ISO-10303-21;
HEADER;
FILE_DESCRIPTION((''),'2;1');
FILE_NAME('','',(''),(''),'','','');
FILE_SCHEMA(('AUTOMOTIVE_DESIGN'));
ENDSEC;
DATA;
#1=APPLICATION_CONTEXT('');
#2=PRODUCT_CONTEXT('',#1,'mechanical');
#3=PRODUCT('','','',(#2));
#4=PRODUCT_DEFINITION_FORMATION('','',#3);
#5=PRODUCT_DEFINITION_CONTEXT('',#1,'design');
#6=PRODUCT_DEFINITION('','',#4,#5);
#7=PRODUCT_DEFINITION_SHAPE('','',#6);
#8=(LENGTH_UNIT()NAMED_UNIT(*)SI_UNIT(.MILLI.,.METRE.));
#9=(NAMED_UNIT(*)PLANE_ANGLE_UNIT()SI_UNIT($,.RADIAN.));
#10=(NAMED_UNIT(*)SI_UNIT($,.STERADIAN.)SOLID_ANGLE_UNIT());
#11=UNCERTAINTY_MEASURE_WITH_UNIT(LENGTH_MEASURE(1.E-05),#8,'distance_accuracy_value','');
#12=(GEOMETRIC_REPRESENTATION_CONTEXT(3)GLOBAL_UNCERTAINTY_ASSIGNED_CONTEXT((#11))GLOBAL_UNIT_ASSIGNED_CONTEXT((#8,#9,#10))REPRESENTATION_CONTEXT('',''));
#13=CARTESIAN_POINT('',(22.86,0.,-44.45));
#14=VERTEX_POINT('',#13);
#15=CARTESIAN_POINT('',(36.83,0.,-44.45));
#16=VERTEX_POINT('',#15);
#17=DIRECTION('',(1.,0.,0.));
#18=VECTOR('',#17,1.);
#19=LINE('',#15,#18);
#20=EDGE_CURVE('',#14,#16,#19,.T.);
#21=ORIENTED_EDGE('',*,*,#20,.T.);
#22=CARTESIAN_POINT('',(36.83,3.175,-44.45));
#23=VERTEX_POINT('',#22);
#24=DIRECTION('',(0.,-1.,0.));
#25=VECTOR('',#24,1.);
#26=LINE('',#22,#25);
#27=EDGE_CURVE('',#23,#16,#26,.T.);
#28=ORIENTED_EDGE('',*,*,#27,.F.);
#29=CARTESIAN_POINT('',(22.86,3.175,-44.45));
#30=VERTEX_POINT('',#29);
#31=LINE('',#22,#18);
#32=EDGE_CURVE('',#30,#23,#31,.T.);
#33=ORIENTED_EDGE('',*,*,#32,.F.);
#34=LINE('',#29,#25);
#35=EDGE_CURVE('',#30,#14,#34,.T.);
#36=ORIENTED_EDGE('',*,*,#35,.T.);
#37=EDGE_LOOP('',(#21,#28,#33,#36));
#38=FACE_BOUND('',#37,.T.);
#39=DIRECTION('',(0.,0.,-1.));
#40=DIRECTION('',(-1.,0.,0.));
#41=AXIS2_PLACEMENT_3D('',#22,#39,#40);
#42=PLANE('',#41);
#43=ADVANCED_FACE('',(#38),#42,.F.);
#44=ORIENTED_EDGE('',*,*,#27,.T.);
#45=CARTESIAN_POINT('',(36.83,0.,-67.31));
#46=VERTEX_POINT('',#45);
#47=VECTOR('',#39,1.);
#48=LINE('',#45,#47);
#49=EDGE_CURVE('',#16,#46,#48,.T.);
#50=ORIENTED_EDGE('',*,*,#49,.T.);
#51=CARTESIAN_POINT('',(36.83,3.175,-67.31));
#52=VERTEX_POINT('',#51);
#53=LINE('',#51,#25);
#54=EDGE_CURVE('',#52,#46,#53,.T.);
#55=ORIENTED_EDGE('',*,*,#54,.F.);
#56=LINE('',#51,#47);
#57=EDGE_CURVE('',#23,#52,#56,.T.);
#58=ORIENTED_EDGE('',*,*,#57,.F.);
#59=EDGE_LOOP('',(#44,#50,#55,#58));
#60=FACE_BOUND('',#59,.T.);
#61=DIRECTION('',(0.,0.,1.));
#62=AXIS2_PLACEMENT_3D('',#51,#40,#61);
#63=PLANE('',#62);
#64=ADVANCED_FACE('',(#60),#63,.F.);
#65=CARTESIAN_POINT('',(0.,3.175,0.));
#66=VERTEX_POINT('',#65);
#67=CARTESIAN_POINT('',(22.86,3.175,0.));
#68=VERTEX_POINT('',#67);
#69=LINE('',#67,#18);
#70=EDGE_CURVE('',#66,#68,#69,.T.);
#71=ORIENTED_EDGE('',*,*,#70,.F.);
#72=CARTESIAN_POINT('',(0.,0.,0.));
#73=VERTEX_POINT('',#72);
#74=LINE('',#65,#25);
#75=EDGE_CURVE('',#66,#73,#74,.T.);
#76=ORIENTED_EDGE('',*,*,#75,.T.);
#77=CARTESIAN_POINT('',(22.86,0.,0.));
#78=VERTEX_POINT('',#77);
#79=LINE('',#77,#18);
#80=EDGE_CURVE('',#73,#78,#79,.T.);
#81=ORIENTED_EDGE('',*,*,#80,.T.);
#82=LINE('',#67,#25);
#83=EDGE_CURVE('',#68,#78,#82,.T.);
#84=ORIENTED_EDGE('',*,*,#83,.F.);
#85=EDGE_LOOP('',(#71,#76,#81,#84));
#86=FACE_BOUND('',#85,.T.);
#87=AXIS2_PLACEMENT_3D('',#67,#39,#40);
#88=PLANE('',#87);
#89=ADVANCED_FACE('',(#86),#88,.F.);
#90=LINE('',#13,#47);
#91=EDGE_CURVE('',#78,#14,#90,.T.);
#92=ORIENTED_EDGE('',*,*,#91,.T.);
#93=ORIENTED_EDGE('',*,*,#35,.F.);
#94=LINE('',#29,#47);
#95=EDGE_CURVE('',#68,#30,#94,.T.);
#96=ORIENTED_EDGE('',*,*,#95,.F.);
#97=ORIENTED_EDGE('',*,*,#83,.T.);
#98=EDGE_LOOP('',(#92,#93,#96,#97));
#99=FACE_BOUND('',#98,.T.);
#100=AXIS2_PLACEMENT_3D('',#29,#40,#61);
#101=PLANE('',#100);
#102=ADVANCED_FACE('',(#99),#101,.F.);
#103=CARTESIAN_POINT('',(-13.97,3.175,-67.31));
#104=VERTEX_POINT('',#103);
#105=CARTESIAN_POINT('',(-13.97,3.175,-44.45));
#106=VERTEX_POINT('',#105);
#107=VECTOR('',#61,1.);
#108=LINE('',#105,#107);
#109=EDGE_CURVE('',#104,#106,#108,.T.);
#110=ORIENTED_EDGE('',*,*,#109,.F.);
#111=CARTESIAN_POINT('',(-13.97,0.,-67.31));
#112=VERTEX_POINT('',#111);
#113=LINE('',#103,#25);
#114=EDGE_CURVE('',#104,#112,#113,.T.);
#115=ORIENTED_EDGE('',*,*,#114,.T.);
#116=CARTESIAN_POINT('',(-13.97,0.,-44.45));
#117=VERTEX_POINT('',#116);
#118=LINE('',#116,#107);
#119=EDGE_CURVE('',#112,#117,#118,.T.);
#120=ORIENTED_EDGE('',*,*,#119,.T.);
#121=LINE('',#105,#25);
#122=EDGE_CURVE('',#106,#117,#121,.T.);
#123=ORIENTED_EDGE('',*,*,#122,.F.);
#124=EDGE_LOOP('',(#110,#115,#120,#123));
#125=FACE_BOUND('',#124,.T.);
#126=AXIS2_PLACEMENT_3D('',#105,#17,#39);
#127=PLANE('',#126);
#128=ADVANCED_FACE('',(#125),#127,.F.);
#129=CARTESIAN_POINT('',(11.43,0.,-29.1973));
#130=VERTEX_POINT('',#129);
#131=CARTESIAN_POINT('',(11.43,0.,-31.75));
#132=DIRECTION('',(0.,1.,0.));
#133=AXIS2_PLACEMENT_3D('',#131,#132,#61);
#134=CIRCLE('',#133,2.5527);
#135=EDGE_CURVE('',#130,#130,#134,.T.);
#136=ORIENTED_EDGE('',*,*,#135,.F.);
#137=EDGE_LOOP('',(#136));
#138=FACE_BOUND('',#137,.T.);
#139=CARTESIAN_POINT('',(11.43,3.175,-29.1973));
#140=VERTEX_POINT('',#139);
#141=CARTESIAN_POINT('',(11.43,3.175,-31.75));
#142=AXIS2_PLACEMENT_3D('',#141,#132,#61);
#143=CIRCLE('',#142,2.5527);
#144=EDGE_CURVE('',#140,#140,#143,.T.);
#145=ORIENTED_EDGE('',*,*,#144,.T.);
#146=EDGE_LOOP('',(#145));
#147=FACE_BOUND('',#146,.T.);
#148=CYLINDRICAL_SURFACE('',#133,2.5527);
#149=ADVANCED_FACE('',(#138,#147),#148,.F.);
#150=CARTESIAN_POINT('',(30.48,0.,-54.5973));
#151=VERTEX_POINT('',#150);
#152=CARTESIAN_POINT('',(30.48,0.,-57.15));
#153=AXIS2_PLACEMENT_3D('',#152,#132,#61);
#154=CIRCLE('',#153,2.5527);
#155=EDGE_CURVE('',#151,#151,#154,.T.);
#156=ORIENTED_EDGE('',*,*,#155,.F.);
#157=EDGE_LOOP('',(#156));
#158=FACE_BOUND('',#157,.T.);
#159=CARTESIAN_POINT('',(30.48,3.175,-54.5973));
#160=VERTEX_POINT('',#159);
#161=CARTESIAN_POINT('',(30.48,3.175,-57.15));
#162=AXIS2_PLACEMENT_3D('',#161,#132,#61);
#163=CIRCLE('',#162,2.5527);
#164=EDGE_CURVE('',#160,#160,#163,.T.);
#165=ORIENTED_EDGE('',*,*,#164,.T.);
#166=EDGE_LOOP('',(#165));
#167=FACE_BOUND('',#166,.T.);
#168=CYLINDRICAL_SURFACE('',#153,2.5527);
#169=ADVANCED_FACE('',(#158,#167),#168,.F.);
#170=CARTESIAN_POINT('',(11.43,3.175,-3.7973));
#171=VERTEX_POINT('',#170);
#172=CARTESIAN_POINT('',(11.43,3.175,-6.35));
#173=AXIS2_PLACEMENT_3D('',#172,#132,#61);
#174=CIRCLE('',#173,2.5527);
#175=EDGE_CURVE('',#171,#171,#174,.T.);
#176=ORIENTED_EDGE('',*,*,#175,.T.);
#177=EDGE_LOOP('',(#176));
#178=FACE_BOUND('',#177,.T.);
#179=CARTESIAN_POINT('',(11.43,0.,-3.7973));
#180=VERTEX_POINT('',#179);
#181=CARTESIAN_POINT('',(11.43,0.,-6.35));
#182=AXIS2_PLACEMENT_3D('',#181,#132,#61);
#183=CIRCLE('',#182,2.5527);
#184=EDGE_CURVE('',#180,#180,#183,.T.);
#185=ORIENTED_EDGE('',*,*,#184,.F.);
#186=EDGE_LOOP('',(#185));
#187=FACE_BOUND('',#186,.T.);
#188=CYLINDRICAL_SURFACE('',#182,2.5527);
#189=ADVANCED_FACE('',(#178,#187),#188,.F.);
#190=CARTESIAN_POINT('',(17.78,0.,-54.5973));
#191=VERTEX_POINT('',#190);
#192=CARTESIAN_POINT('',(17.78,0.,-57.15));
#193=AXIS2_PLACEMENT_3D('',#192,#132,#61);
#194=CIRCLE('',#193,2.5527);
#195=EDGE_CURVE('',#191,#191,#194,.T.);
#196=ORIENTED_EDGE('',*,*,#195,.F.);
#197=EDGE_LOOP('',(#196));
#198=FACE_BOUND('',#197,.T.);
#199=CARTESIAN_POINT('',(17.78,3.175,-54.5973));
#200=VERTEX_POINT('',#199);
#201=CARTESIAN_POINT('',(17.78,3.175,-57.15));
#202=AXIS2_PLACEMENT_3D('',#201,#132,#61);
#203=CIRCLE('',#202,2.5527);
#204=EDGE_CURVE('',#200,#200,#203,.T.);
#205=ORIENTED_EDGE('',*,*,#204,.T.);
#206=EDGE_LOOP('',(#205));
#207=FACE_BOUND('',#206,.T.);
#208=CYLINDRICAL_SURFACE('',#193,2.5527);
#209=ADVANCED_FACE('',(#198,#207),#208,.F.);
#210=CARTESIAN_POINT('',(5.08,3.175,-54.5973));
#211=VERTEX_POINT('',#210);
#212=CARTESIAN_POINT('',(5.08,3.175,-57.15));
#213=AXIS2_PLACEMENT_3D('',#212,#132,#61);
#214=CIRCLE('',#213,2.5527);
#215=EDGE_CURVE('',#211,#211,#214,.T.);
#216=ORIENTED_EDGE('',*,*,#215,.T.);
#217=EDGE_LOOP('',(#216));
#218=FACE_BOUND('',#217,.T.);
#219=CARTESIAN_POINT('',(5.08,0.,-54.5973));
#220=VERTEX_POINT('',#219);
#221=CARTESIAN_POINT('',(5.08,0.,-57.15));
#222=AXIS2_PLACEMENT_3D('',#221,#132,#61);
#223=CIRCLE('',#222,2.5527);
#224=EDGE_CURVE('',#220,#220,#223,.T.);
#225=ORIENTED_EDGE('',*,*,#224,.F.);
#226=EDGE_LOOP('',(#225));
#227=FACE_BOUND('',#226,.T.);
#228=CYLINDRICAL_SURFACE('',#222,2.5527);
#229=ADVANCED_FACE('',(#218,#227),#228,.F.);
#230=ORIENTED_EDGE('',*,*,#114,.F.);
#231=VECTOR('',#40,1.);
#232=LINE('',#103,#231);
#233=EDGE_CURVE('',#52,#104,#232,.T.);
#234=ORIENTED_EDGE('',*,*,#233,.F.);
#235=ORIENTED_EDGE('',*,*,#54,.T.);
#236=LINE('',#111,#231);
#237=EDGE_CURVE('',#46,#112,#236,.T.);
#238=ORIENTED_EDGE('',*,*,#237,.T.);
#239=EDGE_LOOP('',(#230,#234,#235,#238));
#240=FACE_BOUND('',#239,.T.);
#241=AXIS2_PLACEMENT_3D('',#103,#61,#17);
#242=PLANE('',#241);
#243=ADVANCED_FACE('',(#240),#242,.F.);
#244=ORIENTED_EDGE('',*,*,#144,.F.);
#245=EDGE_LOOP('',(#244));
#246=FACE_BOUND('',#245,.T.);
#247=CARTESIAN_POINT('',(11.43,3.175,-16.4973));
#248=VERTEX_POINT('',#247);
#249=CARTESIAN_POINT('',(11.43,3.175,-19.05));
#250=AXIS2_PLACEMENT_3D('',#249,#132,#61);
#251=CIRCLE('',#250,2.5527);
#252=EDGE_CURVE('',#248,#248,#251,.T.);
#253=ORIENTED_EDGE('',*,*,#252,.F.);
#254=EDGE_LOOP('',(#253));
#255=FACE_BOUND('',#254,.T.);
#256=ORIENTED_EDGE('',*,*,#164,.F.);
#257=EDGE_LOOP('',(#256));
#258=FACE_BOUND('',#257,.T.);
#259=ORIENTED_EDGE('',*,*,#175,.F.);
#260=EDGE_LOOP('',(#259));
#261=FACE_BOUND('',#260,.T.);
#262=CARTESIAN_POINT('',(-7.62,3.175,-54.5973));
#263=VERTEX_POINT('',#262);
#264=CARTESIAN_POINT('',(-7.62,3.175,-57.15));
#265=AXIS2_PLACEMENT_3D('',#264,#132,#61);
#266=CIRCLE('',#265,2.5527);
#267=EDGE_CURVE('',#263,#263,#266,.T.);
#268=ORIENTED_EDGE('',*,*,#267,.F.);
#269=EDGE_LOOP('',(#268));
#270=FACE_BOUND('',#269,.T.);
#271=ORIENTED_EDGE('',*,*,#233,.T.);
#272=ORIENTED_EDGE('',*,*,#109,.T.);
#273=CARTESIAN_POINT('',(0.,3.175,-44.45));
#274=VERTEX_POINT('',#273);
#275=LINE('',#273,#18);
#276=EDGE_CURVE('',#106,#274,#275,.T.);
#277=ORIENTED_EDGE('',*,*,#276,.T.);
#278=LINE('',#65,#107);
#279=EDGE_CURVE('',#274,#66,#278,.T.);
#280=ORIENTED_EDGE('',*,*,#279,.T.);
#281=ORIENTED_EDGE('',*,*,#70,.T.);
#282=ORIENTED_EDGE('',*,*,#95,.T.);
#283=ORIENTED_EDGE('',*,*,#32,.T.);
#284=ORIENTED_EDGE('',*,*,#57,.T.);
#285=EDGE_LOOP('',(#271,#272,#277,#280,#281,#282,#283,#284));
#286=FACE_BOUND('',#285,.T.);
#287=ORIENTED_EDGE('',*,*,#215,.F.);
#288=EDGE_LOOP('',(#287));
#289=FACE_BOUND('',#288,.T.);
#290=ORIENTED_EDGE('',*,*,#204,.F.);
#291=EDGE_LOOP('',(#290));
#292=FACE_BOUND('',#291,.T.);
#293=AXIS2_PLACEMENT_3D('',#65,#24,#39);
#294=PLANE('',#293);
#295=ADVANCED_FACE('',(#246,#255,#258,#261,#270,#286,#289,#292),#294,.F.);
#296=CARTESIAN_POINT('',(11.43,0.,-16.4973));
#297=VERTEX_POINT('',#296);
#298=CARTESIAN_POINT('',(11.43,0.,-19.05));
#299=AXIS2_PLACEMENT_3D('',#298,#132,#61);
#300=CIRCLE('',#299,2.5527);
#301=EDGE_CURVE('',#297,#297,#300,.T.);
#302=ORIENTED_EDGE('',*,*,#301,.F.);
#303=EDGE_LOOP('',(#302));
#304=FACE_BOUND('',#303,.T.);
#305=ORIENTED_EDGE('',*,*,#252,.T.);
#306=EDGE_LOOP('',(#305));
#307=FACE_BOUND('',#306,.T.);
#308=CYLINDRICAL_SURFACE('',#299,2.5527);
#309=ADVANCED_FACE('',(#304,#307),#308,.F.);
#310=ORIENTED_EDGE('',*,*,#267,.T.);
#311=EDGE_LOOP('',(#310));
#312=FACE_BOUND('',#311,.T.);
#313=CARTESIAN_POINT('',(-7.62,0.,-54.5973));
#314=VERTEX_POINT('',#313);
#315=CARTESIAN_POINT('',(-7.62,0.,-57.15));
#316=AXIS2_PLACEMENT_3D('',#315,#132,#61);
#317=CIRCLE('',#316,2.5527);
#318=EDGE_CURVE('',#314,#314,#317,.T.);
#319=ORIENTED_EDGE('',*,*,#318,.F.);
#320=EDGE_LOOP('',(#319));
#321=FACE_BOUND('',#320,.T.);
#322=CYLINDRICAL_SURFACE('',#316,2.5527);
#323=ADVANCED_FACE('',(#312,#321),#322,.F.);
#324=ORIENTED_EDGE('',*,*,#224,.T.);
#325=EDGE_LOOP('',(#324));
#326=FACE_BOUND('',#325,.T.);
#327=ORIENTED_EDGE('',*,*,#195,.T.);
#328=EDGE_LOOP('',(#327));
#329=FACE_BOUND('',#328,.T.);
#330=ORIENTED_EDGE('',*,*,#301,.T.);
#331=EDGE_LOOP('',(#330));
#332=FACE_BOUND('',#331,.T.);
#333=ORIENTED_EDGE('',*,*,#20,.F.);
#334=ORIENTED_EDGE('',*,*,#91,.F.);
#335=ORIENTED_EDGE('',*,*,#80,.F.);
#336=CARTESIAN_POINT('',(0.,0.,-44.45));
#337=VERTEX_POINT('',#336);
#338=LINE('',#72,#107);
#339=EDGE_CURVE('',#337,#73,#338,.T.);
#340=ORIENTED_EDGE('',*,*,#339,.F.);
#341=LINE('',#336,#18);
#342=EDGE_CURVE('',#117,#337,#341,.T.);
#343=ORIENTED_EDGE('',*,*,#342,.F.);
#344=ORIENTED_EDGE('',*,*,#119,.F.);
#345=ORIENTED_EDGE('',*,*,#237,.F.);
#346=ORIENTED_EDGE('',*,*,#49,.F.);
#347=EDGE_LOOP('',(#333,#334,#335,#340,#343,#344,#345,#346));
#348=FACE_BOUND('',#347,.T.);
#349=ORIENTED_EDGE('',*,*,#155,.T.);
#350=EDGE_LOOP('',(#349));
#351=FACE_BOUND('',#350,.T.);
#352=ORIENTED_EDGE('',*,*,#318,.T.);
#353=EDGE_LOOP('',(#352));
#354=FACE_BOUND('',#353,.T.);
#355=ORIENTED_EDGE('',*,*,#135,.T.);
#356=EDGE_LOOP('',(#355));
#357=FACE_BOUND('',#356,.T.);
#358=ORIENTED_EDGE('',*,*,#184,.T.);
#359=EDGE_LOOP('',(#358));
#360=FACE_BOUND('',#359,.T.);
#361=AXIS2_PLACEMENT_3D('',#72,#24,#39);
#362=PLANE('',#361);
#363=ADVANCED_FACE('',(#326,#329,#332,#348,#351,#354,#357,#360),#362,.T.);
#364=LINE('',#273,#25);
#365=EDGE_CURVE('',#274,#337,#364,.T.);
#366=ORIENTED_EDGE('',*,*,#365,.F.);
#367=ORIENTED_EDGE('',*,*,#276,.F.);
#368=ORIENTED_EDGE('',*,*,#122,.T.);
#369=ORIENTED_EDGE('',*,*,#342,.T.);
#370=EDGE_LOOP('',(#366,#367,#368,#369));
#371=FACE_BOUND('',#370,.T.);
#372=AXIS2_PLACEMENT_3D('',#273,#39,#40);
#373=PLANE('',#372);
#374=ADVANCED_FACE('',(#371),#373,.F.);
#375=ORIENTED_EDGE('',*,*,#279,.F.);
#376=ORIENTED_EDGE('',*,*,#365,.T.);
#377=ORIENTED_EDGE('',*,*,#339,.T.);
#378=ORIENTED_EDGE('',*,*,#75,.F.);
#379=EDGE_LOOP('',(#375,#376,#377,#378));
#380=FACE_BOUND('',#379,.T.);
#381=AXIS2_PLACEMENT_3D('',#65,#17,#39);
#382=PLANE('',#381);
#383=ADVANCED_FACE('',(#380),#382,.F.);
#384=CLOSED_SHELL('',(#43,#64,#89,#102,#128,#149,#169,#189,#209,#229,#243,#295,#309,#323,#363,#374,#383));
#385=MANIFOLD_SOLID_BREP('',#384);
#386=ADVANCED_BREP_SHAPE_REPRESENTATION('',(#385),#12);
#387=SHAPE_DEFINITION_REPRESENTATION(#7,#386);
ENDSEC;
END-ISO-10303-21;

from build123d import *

# Parameters (mm, degrees)
BOSS_EXTRUDE1_DEPTH = 3.175
SKETCH2_R           = 2.5527
CUT_EXTRUDE1_DEPTH  = 77.793005053
SKETCH3_R           = 2.5527
CUT_EXTRUDE2_DEPTH  = 77.793005053


with BuildPart() as part:
    # Sketch1 → Boss-Extrude1 (new body)
    with BuildSketch(Plane(origin=(0, 0, 0), x_dir=(1, 0, 0), z_dir=(0, 1, 0))):
        Polygon((0, 0), (0, 44.45), (-13.97, 44.45), (-13.97, 67.31), (36.83, 67.31), (36.83, 44.45), (22.86, 44.45), (22.86, 0), align=None)
    extrude(amount=BOSS_EXTRUDE1_DEPTH)

    # Sketch2 → Cut-Extrude1 (cut, through all)
    with BuildSketch(Plane(origin=(0, 3.175, 0), x_dir=(1, 0, 0), z_dir=(0, 1, 0))):
        with Locations(Location((-7.62, 57.15, 0), (0, 0, 270))):
            Circle(SKETCH2_R)
        with Locations(Location((5.08, 57.15, 0), (0, 0, 270))):
            Circle(SKETCH2_R)
        with Locations(Location((17.78, 57.15, 0), (0, 0, 270))):
            Circle(SKETCH2_R)
        with Locations(Location((30.48, 57.15, 0), (0, 0, 270))):
            Circle(SKETCH2_R)
    extrude(amount=-CUT_EXTRUDE1_DEPTH, mode=Mode.SUBTRACT)

    # Sketch3 → Cut-Extrude2 (cut, through all)
    with BuildSketch(Plane(origin=(0, 3.175, 0), x_dir=(1, 0, 0), z_dir=(0, 1, 0))):
        with Locations(Location((11.43, 31.75, 0), (0, 0, 270))):
            Circle(SKETCH3_R)
        with Locations(Location((11.43, 19.05, 0), (0, 0, 270))):
            Circle(SKETCH3_R)
        with Locations(Location((11.43, 6.35, 0), (0, 0, 270))):
            Circle(SKETCH3_R)
    extrude(amount=-CUT_EXTRUDE2_DEPTH, mode=Mode.SUBTRACT)


solid = part.part
